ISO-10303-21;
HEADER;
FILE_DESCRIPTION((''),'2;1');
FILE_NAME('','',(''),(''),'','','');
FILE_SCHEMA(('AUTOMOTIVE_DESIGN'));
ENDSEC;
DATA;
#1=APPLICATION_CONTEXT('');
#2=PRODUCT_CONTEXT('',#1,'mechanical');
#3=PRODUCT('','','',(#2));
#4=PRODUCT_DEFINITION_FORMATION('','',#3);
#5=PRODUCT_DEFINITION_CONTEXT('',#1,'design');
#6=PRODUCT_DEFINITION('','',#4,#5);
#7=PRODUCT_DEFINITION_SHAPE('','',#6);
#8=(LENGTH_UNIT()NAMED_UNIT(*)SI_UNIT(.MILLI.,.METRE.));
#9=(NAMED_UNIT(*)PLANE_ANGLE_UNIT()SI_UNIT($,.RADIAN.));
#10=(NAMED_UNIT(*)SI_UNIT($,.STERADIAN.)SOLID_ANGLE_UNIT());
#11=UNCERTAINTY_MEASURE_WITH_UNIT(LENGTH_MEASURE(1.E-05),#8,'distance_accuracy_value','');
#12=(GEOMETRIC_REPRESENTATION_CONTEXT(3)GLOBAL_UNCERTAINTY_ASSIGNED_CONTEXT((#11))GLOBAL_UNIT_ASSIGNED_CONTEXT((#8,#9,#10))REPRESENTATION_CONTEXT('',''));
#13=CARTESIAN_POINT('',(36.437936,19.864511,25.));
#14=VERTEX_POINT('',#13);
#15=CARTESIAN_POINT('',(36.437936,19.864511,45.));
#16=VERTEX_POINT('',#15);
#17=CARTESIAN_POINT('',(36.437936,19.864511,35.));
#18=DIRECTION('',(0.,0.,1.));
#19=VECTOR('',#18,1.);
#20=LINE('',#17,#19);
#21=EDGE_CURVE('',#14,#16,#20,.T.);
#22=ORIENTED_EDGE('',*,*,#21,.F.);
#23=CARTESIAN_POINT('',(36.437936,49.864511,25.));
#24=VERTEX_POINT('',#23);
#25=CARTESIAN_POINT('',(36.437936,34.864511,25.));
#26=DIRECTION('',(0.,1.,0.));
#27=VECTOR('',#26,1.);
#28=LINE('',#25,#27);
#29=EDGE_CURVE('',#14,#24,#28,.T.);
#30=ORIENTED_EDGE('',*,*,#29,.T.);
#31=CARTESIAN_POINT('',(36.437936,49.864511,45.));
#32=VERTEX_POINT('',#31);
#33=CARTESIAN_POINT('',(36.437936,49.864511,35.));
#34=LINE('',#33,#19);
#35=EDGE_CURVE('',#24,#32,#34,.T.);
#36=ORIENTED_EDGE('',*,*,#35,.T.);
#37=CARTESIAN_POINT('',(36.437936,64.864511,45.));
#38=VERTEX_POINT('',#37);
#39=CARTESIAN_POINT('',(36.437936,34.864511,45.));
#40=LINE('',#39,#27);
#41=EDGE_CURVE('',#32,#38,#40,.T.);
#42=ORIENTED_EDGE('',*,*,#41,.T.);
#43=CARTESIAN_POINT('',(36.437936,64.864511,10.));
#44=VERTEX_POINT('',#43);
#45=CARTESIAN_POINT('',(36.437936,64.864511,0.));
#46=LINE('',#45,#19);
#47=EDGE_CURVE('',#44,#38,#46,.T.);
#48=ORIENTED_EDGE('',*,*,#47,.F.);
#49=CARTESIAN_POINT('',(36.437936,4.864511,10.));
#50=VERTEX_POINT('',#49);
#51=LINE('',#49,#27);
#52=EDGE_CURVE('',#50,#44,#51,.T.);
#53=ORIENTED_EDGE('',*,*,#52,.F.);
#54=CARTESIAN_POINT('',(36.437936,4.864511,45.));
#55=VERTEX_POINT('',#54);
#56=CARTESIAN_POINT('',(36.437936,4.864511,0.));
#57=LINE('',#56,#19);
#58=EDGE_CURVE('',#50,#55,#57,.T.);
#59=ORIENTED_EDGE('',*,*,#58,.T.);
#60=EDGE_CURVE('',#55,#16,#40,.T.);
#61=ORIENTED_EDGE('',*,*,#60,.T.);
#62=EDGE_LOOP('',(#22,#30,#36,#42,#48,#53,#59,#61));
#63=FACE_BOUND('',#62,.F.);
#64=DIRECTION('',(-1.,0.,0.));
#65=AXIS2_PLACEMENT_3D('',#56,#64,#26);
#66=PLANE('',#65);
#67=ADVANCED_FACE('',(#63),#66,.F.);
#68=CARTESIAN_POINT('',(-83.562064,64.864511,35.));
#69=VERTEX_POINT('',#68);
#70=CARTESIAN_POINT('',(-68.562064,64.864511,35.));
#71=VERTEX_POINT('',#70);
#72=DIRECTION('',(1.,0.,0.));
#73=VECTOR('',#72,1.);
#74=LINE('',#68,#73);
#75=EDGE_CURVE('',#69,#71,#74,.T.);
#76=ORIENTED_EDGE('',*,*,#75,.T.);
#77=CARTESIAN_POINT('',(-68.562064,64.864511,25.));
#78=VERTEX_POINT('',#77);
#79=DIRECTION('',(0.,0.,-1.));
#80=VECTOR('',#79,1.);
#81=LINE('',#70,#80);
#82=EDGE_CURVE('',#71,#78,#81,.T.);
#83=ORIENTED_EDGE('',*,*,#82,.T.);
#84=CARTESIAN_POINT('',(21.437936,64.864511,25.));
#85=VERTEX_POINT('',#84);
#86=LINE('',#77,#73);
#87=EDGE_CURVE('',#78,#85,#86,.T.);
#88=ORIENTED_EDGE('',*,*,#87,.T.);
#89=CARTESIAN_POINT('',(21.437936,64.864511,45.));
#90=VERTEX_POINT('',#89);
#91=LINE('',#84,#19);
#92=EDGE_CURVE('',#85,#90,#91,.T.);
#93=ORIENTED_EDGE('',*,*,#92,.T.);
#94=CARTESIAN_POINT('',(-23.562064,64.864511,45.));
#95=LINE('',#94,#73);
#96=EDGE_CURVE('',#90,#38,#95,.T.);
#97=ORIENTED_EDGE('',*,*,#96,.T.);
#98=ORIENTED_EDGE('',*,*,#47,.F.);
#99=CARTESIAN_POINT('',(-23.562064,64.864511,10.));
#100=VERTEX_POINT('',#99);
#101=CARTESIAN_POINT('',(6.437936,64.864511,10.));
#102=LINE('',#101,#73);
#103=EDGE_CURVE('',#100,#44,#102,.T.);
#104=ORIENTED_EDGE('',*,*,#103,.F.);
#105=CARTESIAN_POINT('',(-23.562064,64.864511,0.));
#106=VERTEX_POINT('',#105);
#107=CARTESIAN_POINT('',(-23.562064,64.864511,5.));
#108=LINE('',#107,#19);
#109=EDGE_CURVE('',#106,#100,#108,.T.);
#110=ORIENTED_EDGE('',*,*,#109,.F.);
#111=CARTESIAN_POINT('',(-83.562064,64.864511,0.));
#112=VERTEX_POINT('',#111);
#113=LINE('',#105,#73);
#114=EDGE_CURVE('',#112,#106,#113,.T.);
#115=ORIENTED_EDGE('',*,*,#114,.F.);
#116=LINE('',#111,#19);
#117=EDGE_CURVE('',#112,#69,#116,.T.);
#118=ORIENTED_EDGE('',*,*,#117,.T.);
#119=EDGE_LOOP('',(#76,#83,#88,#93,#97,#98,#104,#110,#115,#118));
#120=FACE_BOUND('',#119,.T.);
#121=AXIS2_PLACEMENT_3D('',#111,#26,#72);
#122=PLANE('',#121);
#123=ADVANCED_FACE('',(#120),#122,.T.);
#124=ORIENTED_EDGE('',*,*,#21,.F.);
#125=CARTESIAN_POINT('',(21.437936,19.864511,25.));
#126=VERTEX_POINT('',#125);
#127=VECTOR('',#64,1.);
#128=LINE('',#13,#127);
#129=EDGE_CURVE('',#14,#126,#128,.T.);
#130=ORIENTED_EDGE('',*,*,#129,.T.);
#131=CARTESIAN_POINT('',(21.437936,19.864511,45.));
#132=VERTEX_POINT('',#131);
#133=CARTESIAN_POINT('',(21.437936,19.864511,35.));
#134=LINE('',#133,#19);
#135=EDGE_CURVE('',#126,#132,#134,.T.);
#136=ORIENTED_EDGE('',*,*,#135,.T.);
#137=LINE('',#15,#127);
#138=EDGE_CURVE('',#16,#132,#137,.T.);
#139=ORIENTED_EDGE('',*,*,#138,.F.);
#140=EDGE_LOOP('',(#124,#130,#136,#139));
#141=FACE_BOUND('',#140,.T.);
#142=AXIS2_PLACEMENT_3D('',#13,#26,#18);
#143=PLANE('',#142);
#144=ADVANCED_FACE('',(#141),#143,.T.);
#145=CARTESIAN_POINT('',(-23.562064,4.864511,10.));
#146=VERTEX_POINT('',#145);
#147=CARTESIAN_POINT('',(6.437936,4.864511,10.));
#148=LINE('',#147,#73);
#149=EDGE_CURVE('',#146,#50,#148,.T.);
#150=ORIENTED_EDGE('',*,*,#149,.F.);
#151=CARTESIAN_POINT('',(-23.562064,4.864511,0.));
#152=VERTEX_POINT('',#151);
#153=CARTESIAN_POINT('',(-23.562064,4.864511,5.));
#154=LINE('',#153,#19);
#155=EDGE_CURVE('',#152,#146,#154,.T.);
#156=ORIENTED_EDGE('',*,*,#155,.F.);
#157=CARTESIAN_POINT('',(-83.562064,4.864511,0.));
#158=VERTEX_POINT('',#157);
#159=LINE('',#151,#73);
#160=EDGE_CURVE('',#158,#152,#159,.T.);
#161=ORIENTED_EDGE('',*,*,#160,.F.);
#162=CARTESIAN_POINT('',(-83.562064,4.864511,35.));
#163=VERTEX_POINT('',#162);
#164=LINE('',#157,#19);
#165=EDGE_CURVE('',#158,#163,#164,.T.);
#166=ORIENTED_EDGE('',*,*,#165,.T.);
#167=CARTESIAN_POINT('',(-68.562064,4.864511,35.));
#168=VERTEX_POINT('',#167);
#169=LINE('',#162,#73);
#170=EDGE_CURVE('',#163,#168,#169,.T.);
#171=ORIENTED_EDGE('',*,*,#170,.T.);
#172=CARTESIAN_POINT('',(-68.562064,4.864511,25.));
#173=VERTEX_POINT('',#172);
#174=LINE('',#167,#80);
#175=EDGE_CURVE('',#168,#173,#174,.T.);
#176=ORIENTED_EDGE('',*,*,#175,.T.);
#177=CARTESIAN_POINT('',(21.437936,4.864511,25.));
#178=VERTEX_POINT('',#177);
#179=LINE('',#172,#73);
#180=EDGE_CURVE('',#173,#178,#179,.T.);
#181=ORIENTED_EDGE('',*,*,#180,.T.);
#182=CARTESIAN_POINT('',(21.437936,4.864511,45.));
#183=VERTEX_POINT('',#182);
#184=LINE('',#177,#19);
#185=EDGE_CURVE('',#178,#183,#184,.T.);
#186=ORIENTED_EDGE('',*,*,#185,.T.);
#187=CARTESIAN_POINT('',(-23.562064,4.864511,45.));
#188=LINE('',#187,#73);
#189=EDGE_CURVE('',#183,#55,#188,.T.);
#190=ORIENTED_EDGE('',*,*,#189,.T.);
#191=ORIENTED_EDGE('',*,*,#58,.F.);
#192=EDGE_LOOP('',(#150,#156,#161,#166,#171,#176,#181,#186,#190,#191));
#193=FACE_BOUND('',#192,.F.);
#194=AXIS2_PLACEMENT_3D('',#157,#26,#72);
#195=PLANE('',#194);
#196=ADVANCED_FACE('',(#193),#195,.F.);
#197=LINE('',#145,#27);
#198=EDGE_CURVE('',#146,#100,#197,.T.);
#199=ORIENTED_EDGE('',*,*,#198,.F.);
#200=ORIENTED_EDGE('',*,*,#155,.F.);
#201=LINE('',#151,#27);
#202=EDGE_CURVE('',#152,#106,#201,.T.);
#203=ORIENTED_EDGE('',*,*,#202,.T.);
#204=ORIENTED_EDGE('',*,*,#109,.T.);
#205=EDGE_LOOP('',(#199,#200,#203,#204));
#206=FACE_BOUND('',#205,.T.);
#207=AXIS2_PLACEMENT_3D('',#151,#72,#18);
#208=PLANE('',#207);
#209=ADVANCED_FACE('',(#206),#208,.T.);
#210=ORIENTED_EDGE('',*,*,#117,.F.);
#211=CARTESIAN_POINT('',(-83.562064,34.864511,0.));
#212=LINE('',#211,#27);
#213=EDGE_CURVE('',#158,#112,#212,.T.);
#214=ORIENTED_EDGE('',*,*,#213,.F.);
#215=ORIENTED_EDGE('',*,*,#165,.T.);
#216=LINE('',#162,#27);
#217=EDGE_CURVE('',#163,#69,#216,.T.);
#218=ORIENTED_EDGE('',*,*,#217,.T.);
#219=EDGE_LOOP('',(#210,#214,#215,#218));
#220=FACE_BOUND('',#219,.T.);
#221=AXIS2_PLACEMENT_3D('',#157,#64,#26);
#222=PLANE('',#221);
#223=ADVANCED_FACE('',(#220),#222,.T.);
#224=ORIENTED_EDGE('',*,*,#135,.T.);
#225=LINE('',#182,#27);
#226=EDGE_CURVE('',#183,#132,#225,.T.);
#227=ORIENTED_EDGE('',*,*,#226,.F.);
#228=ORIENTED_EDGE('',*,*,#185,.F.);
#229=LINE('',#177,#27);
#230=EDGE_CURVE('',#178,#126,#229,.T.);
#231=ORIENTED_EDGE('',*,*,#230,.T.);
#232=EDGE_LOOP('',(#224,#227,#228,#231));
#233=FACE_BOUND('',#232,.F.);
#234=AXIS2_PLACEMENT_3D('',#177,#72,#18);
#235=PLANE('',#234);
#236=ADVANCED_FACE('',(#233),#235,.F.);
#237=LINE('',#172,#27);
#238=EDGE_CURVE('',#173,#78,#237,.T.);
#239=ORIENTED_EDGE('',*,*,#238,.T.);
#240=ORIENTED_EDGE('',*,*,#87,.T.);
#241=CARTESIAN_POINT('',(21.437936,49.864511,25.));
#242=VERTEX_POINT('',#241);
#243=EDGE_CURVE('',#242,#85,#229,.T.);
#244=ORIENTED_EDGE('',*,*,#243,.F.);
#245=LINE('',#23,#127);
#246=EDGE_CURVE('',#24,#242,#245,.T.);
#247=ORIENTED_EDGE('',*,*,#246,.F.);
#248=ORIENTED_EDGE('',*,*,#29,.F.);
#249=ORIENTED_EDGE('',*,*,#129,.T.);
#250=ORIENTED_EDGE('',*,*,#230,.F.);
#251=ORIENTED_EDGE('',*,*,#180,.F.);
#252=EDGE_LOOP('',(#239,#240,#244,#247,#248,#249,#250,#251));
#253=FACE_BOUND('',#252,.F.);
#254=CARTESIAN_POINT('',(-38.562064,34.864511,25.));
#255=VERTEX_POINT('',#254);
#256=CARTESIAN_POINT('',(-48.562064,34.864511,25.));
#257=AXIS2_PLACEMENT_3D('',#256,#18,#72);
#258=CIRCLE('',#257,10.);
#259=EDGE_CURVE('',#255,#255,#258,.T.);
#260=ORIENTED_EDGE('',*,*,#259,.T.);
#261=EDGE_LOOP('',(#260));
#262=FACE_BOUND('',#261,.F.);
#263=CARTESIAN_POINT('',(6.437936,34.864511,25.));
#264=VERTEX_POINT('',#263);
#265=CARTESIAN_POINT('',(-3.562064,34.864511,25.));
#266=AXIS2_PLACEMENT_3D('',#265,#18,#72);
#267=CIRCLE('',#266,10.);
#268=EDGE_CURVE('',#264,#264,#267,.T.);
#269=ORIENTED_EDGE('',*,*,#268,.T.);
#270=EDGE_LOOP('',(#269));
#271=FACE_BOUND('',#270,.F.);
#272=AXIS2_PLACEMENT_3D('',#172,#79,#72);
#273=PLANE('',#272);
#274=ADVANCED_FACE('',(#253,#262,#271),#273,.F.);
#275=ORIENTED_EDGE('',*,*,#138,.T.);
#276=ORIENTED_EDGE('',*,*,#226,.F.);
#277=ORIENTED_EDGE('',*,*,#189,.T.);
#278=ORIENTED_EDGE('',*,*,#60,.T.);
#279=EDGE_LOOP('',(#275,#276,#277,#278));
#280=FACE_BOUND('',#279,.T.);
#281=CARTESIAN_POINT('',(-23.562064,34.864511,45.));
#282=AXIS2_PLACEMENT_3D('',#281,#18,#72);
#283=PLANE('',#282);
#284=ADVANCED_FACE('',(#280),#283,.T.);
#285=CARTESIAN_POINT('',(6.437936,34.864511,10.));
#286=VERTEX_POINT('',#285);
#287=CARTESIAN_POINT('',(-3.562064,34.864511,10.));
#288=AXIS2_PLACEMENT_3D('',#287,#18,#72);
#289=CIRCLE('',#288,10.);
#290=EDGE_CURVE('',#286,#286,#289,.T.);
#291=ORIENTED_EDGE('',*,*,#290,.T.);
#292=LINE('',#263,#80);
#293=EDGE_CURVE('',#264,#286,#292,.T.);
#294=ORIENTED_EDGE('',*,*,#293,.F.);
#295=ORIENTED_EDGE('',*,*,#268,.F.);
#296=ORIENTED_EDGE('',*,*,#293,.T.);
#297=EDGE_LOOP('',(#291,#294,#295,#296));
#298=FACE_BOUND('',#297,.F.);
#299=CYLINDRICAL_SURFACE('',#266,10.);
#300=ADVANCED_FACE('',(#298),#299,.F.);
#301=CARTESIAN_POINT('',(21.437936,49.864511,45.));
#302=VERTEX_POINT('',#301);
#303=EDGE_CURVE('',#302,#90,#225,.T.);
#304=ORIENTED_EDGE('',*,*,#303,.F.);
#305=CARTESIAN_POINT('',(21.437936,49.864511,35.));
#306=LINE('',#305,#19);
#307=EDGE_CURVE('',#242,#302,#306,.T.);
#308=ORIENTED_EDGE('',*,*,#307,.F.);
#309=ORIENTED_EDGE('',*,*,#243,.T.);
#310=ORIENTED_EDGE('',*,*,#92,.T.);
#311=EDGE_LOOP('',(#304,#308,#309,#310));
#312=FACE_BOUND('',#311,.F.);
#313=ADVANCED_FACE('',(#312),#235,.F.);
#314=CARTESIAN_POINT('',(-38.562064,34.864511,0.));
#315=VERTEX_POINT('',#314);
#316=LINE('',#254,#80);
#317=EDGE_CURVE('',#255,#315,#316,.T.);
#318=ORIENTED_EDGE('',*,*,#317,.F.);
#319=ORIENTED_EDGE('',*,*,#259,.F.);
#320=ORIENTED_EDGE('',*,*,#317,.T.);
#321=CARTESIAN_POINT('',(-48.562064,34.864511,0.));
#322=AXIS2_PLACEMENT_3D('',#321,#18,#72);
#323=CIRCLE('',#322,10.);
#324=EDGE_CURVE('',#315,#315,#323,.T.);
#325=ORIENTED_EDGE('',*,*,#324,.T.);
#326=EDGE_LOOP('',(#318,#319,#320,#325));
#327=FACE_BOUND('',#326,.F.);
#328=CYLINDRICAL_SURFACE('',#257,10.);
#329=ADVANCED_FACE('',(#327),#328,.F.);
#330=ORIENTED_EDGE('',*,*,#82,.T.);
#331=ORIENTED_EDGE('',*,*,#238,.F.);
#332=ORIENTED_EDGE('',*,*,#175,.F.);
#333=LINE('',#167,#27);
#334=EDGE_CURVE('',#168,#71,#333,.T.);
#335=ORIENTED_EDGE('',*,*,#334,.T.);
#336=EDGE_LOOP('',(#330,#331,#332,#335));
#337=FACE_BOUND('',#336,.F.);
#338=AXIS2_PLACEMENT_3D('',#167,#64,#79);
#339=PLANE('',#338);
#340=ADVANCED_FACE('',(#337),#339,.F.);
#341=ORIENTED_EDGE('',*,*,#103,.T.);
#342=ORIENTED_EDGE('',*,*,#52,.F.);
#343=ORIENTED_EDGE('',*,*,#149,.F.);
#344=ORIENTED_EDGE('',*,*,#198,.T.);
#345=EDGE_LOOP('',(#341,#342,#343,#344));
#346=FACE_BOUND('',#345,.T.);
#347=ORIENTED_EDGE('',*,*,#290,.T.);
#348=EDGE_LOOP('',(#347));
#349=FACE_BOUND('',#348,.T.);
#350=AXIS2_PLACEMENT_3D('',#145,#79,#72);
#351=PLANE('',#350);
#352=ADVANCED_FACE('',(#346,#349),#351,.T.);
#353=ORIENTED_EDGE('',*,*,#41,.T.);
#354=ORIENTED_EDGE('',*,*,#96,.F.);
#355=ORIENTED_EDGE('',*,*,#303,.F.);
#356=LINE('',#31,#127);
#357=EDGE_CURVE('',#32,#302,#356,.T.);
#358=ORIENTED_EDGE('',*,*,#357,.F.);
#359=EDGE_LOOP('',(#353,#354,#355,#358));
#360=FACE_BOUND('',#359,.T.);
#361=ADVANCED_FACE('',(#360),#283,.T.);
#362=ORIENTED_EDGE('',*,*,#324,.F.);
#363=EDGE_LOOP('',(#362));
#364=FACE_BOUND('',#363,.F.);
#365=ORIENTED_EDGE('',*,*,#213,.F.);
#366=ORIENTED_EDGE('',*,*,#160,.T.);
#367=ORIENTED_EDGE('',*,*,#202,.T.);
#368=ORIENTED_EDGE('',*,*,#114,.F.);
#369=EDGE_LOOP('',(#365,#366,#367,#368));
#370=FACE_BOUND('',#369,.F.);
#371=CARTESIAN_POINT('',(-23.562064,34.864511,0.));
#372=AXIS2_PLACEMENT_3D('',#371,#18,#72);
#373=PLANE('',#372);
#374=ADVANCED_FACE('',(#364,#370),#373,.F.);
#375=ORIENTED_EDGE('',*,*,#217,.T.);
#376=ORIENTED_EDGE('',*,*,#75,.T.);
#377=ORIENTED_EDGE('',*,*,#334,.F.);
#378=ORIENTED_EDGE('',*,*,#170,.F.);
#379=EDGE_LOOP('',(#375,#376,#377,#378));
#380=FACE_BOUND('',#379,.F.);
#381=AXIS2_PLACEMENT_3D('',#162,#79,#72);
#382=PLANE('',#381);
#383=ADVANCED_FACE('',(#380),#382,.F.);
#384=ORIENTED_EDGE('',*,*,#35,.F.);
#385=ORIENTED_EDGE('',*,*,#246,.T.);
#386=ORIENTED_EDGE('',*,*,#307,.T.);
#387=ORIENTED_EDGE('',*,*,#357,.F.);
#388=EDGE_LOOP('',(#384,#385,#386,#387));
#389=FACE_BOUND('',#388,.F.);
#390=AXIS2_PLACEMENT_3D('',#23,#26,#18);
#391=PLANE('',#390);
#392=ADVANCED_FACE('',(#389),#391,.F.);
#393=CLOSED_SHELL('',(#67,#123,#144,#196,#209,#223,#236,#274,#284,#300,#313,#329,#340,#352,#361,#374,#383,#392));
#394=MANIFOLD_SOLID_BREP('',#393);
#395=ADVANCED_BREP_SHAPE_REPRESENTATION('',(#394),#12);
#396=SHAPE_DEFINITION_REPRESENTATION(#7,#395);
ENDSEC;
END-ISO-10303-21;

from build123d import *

# Parameters (mm, degrees)
F0_W     = 120
F0_H     = 60
F1_DEPTH = 45
F2_W     = 60
F2_H     = 10
F3_DEPTH = 60
F4_W     = 30
F4_H     = 20
F5_DEPTH = 15
F6_R     = 10
F7_DEPTH = 25


with BuildPart() as f1:
    # F0 (on Top) → F1 (new body)
    with BuildSketch(Plane.XY):
        with Locations((-23.562064, 34.864511)):
            Rectangle(F0_W, F0_H)
    extrude(amount=F1_DEPTH)

    # F2 (on face) → F3 (cut)
    with BuildSketch(Plane.XZ.offset(-4.864511)):
        Polygon((-83.562064, 45), (-83.562064, 35), (-68.562064, 35), (-68.562064, 25), (21.437936, 25), (21.437936, 45), align=None)
        with Locations((6.437936, 5)):
            Rectangle(F2_W, F2_H)
    extrude(amount=-F3_DEPTH, mode=Mode.SUBTRACT)

    # F4 (on face) → F5 (cut)
    with BuildSketch(Plane.YZ.offset(36.437936)):
        with Locations((34.864511, 35)):
            Rectangle(F4_W, F4_H)
    extrude(amount=-F5_DEPTH, mode=Mode.SUBTRACT)

    # F6 (on face) → F7 (cut)
    with BuildSketch(Plane.XY.offset(25)):
        with Locations((-48.562064, 34.864511)):
            Circle(F6_R)
        with Locations((-3.562064, 34.864511)):
            Circle(F6_R)
    extrude(amount=-F7_DEPTH, mode=Mode.SUBTRACT)


solid = f1.part
